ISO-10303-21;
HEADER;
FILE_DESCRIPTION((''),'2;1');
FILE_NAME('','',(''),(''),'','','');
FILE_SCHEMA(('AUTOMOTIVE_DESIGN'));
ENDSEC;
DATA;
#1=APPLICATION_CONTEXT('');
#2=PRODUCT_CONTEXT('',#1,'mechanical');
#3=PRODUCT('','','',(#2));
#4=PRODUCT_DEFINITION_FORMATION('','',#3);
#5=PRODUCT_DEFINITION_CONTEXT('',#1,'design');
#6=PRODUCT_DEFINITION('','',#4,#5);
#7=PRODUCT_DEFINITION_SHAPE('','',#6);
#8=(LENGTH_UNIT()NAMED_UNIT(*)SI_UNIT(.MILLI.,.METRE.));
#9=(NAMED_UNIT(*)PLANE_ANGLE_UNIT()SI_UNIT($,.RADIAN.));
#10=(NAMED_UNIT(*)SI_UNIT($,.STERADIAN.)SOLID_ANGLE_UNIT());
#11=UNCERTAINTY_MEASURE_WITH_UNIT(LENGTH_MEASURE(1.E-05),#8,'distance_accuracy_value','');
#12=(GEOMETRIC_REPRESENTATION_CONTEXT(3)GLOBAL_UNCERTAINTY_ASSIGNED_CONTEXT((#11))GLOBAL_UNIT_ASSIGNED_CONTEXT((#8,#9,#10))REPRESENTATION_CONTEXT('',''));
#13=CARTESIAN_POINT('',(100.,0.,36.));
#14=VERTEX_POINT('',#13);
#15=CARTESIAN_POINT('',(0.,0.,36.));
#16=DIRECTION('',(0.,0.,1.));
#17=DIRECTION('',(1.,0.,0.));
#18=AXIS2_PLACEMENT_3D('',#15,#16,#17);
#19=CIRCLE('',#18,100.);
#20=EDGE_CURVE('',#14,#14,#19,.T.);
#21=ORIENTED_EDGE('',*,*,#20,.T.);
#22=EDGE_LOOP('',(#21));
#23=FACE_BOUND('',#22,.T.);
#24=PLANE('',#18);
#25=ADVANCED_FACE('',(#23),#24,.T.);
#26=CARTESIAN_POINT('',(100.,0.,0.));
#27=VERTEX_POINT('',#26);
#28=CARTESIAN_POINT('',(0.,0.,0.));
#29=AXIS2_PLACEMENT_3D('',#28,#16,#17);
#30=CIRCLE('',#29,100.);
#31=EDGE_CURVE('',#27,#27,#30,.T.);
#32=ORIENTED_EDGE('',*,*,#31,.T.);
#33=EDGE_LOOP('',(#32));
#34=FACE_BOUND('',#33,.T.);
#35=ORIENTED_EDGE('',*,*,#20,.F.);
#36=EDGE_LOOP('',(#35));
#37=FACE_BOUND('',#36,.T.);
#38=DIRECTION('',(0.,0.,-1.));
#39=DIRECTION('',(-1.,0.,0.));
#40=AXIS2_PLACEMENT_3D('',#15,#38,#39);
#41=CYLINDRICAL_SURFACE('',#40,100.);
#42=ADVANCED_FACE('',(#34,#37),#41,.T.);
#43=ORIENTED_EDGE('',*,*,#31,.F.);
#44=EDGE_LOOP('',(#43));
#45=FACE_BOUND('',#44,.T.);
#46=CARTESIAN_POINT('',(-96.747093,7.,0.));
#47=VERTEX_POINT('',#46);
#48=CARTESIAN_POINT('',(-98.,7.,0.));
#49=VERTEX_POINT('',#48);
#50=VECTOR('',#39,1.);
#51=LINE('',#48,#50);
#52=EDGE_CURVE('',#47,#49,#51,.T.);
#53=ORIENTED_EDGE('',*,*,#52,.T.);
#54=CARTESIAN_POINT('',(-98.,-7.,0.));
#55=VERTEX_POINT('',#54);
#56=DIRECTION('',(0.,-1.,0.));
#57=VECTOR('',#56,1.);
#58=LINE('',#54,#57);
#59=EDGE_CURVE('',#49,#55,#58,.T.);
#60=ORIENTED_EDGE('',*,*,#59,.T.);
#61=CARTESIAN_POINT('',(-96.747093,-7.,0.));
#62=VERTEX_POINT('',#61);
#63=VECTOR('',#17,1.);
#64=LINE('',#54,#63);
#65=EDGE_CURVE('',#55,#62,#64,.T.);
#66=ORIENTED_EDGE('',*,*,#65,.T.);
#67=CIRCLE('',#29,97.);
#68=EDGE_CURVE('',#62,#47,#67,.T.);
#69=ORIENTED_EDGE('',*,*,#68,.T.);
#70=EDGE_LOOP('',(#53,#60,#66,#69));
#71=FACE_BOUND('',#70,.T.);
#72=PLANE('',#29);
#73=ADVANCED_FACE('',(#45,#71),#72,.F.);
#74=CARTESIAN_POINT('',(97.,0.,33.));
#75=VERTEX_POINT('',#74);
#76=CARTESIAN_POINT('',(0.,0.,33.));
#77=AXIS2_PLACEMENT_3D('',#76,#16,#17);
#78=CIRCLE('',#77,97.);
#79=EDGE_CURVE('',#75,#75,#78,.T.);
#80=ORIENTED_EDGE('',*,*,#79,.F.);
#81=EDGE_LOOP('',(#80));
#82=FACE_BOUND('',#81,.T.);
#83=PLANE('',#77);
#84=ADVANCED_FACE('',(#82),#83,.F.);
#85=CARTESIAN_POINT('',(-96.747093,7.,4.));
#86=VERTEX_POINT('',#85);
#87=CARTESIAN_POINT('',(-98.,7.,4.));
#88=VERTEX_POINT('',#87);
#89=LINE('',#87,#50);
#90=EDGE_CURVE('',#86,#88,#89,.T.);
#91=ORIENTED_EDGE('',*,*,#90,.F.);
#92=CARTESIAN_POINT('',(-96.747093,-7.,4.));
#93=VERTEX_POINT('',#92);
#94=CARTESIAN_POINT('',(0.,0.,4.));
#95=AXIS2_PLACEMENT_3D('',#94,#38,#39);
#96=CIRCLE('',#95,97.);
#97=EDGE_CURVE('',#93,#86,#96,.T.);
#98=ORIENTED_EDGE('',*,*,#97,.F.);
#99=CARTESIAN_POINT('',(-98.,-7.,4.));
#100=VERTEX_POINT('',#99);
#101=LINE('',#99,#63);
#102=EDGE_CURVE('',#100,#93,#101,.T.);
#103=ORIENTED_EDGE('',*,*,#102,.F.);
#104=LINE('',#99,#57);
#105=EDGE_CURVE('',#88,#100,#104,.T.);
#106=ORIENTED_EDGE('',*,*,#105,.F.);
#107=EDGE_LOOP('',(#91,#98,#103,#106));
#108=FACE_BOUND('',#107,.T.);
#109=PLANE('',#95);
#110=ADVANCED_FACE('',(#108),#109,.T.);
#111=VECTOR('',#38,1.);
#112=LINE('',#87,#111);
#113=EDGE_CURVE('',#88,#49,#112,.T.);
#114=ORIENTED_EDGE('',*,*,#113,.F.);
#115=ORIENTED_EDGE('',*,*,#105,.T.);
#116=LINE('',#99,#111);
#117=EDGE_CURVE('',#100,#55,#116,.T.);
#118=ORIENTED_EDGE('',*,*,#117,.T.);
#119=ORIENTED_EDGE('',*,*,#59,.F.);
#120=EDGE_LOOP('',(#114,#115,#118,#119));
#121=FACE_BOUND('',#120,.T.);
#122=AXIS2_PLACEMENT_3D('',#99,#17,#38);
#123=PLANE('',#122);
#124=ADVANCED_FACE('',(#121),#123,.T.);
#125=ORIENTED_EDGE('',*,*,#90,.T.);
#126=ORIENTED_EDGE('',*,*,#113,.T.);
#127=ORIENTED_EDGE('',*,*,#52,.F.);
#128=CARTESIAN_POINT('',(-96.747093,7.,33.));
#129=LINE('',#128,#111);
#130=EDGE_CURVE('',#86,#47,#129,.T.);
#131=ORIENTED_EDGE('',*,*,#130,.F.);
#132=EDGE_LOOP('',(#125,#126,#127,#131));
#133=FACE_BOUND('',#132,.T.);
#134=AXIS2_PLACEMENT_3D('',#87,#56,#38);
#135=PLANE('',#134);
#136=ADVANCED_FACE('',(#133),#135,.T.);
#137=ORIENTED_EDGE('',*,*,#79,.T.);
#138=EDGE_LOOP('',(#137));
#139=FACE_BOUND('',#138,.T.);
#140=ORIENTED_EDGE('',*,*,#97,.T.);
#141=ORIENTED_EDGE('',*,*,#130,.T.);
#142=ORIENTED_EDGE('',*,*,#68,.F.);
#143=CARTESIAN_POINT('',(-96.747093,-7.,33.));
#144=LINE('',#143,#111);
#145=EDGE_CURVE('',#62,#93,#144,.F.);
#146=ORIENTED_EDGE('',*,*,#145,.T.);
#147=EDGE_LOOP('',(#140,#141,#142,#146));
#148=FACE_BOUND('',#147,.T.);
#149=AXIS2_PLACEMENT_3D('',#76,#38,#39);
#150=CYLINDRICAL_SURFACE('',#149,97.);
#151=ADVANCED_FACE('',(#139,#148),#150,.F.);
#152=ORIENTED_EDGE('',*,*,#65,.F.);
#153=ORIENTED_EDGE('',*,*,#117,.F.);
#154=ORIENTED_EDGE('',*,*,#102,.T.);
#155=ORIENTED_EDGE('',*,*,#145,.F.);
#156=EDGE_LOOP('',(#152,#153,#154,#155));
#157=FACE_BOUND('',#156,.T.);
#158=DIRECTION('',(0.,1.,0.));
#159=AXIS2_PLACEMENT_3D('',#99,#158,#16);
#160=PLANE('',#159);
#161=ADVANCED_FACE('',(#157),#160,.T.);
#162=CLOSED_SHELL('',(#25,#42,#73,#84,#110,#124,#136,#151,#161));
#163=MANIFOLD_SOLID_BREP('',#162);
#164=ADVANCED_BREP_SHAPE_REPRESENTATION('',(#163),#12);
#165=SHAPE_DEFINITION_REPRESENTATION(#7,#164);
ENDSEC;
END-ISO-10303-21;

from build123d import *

# Parameters (mm, degrees)
SKETCH1_R           = 100
BOSS_EXTRUDE1_DEPTH = 36
SKETCH2_R           = 97
CUT_EXTRUDE2_DEPTH  = 33
SKETCH3_R           = 1.75
SKETCH3_R_2         = 7
SKETCH3_W           = 10
SKETCH3_H           = 14
CUT_EXTRUDE4_DEPTH  = 4


with BuildPart() as part:
    # Sketch1 → Boss-Extrude1 (new body)
    with BuildSketch(Plane.XY):
        Circle(SKETCH1_R)
    extrude(amount=BOSS_EXTRUDE1_DEPTH)

    # Sketch2 → Cut-Extrude2 (cut)
    with BuildSketch(Plane.XY):
        Circle(SKETCH2_R)
    extrude(amount=CUT_EXTRUDE2_DEPTH, mode=Mode.SUBTRACT)

    # Sketch3 → Cut-Extrude4 (cut)
    with BuildSketch(Plane.XY):
        with Locations((110, 24.75)):
            Circle(SKETCH3_R)
        with Locations((110, -24.75)):
            Circle(SKETCH3_R)
        with Locations((110, 0)):
            Circle(SKETCH3_R_2)
        with Locations((-93, 0)):
            Rectangle(SKETCH3_W, SKETCH3_H)
    extrude(amount=CUT_EXTRUDE4_DEPTH, mode=Mode.SUBTRACT)


solid = part.part
